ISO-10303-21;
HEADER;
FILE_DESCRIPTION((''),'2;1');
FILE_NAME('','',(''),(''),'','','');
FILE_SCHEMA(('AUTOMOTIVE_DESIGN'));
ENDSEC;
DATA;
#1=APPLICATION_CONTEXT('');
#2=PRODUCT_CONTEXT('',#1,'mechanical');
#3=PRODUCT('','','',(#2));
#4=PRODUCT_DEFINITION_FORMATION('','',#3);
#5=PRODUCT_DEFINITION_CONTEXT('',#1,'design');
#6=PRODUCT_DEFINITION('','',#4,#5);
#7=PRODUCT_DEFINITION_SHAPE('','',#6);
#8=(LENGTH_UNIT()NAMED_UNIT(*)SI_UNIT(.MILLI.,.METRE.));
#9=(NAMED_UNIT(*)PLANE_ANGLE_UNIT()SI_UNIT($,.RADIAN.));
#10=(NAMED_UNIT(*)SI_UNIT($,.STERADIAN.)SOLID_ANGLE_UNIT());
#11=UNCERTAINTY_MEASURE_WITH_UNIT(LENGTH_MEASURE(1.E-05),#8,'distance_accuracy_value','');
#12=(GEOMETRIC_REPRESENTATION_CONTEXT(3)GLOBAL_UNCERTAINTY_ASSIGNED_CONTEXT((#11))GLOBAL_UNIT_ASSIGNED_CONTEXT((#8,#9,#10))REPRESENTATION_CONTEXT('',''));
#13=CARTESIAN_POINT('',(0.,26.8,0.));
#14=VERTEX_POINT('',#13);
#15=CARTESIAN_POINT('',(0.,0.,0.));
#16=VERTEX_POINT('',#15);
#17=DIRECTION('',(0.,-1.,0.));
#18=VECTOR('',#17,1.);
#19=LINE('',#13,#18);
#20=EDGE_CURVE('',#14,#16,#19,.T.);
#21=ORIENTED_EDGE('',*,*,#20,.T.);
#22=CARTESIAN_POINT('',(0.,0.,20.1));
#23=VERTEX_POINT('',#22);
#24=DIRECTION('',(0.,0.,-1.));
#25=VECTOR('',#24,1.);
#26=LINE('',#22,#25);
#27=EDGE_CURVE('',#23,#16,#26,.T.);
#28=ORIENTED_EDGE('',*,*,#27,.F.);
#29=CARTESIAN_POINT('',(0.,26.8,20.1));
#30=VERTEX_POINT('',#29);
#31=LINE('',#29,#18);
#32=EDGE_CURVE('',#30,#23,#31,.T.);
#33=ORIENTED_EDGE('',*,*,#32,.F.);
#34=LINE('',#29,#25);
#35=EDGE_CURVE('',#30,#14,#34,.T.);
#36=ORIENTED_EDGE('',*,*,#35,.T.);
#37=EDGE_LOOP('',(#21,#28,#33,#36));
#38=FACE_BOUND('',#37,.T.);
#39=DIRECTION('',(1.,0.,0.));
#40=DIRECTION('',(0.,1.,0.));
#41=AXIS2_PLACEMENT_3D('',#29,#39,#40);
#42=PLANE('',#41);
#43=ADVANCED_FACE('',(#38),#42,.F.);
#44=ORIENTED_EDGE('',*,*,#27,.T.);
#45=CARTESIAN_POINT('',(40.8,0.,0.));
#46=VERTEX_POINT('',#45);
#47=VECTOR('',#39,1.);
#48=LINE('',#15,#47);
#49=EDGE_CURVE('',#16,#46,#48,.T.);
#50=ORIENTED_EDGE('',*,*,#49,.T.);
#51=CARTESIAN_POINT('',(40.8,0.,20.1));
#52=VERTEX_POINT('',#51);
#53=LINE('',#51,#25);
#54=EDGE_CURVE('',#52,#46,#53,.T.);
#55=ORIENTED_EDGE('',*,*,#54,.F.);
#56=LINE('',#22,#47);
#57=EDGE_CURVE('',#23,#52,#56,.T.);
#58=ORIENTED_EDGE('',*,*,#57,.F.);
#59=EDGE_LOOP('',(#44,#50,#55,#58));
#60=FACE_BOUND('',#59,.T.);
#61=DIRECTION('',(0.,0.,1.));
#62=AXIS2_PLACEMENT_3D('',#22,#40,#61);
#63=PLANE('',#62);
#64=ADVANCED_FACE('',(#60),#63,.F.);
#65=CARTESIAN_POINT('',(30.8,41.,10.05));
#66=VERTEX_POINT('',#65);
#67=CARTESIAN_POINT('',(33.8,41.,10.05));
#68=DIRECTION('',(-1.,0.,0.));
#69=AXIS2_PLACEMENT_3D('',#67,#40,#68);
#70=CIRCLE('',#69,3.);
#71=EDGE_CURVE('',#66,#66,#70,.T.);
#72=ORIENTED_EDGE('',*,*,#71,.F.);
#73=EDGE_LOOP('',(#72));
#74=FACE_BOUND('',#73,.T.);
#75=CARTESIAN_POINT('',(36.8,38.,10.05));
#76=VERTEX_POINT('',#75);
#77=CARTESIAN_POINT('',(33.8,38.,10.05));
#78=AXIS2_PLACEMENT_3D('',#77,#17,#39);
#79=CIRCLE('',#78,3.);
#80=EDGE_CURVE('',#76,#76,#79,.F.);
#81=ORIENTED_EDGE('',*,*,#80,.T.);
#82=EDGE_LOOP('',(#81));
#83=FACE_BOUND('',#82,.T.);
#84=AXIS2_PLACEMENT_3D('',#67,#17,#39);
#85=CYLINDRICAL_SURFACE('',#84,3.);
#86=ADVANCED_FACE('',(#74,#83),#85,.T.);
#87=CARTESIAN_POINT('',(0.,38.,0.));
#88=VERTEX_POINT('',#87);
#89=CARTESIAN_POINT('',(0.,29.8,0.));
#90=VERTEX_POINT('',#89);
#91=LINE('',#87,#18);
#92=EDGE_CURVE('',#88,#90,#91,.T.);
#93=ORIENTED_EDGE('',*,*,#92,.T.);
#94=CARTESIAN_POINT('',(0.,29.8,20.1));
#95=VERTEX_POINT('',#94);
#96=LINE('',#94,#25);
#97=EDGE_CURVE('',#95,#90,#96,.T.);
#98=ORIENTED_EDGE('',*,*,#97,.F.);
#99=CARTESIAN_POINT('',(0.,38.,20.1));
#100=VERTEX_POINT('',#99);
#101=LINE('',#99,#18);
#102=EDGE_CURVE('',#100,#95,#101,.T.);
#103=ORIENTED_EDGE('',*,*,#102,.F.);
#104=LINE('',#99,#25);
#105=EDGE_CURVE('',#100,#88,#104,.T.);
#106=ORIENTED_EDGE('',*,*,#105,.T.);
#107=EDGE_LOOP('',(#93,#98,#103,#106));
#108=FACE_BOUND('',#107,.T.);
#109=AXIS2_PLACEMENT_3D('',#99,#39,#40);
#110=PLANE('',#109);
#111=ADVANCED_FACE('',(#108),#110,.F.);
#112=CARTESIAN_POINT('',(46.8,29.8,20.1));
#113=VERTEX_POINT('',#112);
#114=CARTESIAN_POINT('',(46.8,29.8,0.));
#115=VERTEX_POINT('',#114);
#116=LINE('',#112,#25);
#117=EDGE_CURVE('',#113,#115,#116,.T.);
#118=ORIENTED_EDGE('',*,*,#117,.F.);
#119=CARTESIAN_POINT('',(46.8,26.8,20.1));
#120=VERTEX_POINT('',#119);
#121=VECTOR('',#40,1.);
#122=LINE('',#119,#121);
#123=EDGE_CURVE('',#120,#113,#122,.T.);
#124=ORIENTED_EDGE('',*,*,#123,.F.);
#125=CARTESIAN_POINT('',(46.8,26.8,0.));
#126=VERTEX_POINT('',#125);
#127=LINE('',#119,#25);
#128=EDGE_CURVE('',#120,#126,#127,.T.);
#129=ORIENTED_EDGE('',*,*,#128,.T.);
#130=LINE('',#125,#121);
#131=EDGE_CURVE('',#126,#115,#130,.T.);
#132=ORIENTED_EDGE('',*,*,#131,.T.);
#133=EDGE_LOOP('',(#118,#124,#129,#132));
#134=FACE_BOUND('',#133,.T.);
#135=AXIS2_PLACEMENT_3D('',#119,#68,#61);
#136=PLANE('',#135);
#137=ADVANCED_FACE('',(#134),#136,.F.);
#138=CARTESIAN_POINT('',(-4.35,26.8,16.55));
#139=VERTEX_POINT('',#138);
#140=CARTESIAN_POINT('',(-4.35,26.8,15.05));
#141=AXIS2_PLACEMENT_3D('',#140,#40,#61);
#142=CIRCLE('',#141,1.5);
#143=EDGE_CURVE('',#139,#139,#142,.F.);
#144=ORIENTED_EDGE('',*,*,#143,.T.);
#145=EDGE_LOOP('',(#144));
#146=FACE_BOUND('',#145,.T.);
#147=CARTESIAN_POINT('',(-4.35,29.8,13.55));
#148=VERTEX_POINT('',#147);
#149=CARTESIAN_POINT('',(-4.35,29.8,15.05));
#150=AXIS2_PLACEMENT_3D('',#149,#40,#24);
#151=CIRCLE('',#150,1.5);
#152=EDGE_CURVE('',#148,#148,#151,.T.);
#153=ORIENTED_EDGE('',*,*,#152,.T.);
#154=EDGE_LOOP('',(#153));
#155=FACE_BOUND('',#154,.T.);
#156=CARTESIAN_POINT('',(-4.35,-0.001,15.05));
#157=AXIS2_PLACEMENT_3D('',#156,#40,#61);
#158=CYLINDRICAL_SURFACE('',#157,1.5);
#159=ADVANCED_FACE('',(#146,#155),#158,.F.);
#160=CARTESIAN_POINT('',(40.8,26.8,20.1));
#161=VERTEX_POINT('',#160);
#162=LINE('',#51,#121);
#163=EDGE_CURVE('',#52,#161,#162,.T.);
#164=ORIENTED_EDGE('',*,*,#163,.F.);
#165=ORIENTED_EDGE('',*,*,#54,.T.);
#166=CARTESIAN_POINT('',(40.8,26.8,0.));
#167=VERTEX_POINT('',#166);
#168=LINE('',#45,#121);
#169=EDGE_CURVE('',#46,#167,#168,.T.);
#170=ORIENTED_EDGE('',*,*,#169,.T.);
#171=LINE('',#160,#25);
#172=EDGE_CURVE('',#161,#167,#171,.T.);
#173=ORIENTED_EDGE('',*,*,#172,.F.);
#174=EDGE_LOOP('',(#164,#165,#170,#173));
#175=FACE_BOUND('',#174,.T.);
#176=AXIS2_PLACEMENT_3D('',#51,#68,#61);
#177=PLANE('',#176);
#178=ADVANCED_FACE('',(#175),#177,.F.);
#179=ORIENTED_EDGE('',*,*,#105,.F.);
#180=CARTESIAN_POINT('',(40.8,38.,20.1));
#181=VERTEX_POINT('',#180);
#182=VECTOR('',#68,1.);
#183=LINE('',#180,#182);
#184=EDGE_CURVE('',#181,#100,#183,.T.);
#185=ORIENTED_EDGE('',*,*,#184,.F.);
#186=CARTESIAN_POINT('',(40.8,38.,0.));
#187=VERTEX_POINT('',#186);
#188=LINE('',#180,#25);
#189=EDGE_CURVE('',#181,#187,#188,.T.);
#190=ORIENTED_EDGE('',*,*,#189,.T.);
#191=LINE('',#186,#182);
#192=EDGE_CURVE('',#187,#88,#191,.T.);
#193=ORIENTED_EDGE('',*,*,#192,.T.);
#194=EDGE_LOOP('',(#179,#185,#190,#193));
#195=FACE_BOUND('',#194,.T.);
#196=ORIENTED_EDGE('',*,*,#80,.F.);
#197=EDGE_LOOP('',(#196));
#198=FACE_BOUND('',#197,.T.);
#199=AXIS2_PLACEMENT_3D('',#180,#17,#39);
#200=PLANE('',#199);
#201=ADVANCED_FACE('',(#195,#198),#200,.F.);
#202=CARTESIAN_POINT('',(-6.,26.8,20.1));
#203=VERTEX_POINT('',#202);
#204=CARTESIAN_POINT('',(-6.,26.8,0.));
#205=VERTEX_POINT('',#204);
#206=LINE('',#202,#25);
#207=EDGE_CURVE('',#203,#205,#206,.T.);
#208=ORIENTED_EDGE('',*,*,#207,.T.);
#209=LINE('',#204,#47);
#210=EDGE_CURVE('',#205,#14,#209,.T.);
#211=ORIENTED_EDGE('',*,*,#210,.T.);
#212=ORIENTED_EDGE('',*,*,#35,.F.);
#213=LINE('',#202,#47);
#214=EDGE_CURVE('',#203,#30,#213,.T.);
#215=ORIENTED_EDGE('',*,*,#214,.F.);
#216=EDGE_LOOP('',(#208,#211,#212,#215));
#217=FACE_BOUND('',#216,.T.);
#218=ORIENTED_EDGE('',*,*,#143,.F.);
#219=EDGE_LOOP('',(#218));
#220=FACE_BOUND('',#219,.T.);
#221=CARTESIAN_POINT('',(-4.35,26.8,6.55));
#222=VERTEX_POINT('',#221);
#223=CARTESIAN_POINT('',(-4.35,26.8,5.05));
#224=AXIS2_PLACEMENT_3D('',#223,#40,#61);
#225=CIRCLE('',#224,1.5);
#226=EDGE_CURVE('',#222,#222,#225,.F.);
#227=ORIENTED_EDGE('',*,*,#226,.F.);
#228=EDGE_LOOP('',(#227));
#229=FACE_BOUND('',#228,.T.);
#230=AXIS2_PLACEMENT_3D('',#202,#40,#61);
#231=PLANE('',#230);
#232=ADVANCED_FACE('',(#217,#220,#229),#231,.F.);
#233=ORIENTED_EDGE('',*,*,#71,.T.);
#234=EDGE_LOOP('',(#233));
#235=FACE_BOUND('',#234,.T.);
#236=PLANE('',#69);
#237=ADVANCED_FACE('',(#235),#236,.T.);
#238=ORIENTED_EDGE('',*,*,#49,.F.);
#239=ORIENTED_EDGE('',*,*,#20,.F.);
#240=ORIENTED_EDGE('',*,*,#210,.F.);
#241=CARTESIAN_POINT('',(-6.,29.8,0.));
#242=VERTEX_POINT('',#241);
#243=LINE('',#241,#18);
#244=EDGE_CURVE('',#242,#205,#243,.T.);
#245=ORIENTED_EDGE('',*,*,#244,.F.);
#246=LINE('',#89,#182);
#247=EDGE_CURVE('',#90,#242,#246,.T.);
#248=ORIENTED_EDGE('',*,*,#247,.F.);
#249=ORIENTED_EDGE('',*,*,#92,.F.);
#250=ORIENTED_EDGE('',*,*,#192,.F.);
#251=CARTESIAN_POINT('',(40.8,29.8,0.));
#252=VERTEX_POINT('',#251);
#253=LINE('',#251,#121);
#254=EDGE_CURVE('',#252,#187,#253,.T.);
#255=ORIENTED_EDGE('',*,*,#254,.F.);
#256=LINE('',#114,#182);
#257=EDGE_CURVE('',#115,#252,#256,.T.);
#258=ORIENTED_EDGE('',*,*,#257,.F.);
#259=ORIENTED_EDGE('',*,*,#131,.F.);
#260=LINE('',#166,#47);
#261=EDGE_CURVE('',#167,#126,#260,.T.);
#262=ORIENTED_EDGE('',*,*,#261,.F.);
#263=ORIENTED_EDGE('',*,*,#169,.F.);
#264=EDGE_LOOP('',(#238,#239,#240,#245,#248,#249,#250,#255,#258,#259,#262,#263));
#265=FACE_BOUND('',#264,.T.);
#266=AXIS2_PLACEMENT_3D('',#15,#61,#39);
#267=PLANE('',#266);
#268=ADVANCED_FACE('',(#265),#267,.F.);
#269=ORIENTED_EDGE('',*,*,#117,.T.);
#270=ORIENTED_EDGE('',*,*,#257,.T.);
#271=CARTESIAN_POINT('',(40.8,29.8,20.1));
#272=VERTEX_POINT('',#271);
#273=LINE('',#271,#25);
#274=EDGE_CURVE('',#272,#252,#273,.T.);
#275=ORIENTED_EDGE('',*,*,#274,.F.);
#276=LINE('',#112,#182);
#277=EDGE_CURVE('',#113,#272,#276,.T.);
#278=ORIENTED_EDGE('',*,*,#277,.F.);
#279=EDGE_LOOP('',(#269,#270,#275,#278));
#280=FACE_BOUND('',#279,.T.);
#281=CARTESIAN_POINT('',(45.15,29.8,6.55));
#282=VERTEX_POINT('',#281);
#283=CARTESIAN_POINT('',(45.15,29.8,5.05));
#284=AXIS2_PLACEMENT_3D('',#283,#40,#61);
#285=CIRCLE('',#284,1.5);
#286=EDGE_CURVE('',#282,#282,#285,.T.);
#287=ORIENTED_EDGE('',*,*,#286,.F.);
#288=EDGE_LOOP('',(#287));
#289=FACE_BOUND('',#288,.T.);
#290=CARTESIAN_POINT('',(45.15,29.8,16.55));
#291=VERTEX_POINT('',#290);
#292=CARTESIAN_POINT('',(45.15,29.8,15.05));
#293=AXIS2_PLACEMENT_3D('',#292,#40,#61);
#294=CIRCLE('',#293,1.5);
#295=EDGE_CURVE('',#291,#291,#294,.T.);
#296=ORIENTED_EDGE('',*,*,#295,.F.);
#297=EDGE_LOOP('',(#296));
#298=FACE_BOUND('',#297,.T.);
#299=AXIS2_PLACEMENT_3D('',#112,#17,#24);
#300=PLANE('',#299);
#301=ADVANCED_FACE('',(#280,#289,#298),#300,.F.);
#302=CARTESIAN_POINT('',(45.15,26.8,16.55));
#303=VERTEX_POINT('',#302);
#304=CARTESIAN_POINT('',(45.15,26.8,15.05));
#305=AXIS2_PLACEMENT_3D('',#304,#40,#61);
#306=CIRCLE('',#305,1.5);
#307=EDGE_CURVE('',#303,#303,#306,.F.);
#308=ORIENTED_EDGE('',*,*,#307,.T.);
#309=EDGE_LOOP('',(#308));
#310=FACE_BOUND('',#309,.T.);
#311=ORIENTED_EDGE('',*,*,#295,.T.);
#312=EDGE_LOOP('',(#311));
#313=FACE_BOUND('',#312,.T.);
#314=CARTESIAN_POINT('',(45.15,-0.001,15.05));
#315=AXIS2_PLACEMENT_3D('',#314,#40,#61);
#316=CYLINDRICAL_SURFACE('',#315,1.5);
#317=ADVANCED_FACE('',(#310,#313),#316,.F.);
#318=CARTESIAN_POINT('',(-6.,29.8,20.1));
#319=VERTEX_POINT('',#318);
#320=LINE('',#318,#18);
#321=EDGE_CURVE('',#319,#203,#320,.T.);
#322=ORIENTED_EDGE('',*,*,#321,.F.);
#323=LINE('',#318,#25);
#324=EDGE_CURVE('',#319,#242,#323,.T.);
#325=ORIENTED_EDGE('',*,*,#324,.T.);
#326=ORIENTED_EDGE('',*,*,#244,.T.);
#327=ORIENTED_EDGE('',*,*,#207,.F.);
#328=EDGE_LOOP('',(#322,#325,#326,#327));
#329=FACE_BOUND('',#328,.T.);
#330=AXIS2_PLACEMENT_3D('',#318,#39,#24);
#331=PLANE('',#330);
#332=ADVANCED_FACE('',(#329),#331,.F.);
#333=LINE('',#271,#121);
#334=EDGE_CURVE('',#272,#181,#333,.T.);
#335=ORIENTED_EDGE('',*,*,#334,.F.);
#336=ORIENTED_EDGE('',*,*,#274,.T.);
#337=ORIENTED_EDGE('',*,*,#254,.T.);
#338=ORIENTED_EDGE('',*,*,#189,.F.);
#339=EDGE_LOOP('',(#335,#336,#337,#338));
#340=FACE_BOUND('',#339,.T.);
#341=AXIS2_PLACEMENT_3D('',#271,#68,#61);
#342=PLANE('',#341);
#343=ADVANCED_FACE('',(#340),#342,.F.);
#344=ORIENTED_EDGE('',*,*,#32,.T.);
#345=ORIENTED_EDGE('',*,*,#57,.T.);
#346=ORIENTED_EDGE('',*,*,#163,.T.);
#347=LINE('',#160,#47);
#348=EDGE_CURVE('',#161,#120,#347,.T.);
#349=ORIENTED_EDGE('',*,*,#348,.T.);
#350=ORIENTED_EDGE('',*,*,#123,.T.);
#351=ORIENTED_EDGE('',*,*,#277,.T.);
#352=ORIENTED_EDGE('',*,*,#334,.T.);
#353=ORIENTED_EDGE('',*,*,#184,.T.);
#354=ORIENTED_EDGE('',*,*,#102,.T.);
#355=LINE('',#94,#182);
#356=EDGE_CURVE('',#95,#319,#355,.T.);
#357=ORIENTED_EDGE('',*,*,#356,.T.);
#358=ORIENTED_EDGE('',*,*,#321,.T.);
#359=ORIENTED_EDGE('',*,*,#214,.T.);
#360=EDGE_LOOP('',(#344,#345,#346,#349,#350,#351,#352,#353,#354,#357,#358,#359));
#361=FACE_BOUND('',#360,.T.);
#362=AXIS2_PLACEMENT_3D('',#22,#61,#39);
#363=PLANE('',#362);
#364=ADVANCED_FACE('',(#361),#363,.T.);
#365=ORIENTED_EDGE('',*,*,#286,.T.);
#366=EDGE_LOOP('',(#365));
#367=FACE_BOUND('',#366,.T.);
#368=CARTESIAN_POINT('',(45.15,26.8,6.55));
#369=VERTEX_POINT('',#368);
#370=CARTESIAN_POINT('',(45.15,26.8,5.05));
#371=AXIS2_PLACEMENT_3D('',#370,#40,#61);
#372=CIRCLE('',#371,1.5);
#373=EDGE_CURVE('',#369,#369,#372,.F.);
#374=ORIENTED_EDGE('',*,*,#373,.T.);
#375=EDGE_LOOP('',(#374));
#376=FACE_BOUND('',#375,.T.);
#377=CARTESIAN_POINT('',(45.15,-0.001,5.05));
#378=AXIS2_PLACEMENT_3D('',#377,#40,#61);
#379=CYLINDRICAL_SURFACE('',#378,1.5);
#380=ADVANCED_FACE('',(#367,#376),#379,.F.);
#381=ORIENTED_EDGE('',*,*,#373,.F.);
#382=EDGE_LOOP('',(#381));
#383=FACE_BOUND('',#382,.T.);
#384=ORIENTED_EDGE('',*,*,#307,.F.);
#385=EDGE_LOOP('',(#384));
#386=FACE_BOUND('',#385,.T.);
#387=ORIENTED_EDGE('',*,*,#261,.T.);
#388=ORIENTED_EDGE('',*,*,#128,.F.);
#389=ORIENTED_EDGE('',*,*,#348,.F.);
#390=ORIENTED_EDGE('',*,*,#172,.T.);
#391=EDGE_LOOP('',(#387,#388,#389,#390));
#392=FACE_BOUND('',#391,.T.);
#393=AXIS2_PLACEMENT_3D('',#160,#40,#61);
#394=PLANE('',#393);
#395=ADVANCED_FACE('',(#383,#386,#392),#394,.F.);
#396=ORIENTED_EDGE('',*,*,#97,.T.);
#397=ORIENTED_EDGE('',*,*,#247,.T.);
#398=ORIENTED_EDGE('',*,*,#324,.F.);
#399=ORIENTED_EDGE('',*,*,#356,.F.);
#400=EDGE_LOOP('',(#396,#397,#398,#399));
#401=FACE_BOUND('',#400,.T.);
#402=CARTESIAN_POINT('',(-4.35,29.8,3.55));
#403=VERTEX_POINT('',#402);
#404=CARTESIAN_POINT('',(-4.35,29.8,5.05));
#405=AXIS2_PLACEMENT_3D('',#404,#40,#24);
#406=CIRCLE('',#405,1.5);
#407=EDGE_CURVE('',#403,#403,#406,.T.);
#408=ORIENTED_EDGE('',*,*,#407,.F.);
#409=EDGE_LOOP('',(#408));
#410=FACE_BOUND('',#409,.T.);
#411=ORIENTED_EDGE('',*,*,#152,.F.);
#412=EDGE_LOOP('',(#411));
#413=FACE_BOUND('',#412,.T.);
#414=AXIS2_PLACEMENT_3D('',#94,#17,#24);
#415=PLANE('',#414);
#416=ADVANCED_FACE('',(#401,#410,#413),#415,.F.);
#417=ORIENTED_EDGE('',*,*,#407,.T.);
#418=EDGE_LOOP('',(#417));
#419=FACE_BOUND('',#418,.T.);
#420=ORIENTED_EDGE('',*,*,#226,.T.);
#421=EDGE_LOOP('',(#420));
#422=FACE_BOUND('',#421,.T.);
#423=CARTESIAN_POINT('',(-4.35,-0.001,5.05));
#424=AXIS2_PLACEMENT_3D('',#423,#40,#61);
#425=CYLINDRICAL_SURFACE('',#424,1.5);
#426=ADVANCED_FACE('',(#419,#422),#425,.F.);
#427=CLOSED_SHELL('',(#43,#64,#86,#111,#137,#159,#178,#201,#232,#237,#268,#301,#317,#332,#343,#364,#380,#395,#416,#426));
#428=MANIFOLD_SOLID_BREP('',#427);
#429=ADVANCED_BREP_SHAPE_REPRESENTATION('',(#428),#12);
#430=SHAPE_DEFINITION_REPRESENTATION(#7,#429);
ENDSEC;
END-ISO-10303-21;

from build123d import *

# Parameters (mm, degrees)
BOSS_EXTRUDE1_DEPTH = 20.1
SKETCH2_R           = 3
BOSS_EXTRUDE2_DEPTH = 3
CUT_EXTRUDE1_REACH  = 61.011
SKETCH3_R           = 1.5


with BuildPart() as part:
    # Sketch1 → Boss-Extrude1 (new body)
    with BuildSketch(Plane.XY):
        Polygon((0, 0), (40.8, 0), (40.8, 26.8), (46.8, 26.8), (46.8, 29.8), (40.8, 29.8), (40.8, 38), (0, 38), (0, 29.8), (-6, 29.8), (-6, 26.8), (0, 26.8), align=None)
    extrude(amount=BOSS_EXTRUDE1_DEPTH)

    # Sketch2 → Boss-Extrude2 (add)
    with BuildSketch(Plane(origin=(0, 38, 0), x_dir=(1, 0, 0), z_dir=(0, 1, 0))):
        with Locations((33.8, -10.05)):
            Circle(SKETCH2_R)
    extrude(amount=BOSS_EXTRUDE2_DEPTH)

    # Sketch3 → Cut-Extrude1 (cut, up to next)
    with BuildSketch(Plane(origin=(0, 29.8, 0), x_dir=(1, 0, 0), z_dir=(0, 1, 0)), mode=Mode.PRIVATE) as cut_extrude1_sk1:
        with Locations(Location((45.15, -15.05, 0), (0, 0, 270))):
            Circle(SKETCH3_R)
    cut_extrude1_tool1 = extrude(cut_extrude1_sk1.sketch, amount=-CUT_EXTRUDE1_REACH, mode=Mode.PRIVATE) & part.part
    # Sketch3 → Cut-Extrude1 (cut, up to next)
    with BuildSketch(Plane(origin=(0, 29.8, 0), x_dir=(1, 0, 0), z_dir=(0, 1, 0)), mode=Mode.PRIVATE) as cut_extrude1_sk2:
        with Locations(Location((45.15, -5.05, 0), (0, 0, 270))):
            Circle(SKETCH3_R)
    cut_extrude1_tool2 = extrude(cut_extrude1_sk2.sketch, amount=-CUT_EXTRUDE1_REACH, mode=Mode.PRIVATE) & part.part
    # Sketch3 → Cut-Extrude1 (cut, up to next)
    with BuildSketch(Plane(origin=(0, 29.8, 0), x_dir=(1, 0, 0), z_dir=(0, 1, 0)), mode=Mode.PRIVATE) as cut_extrude1_sk3:
        with Locations(Location((-4.35, -5.05, 0), (0, 0, 270))):
            Circle(SKETCH3_R)
    cut_extrude1_tool3 = extrude(cut_extrude1_sk3.sketch, amount=-CUT_EXTRUDE1_REACH, mode=Mode.PRIVATE) & part.part
    # Sketch3 → Cut-Extrude1 (cut, up to next)
    with BuildSketch(Plane(origin=(0, 29.8, 0), x_dir=(1, 0, 0), z_dir=(0, 1, 0)), mode=Mode.PRIVATE) as cut_extrude1_sk4:
        with Locations(Location((-4.35, -15.05, 0), (0, 0, 270))):
            Circle(SKETCH3_R)
    cut_extrude1_tool4 = extrude(cut_extrude1_sk4.sketch, amount=-CUT_EXTRUDE1_REACH, mode=Mode.PRIVATE) & part.part
    add(cut_extrude1_tool1.solids().sort_by_distance((45.15, 29.8, 15.05))[0], mode=Mode.SUBTRACT)
    add(cut_extrude1_tool2.solids().sort_by_distance((45.15, 29.8, 5.05))[0], mode=Mode.SUBTRACT)
    add(cut_extrude1_tool3.solids().sort_by_distance((-4.35, 29.8, 5.05))[0], mode=Mode.SUBTRACT)
    add(cut_extrude1_tool4.solids().sort_by_distance((-4.35, 29.8, 15.05))[0], mode=Mode.SUBTRACT)


solid = part.part
